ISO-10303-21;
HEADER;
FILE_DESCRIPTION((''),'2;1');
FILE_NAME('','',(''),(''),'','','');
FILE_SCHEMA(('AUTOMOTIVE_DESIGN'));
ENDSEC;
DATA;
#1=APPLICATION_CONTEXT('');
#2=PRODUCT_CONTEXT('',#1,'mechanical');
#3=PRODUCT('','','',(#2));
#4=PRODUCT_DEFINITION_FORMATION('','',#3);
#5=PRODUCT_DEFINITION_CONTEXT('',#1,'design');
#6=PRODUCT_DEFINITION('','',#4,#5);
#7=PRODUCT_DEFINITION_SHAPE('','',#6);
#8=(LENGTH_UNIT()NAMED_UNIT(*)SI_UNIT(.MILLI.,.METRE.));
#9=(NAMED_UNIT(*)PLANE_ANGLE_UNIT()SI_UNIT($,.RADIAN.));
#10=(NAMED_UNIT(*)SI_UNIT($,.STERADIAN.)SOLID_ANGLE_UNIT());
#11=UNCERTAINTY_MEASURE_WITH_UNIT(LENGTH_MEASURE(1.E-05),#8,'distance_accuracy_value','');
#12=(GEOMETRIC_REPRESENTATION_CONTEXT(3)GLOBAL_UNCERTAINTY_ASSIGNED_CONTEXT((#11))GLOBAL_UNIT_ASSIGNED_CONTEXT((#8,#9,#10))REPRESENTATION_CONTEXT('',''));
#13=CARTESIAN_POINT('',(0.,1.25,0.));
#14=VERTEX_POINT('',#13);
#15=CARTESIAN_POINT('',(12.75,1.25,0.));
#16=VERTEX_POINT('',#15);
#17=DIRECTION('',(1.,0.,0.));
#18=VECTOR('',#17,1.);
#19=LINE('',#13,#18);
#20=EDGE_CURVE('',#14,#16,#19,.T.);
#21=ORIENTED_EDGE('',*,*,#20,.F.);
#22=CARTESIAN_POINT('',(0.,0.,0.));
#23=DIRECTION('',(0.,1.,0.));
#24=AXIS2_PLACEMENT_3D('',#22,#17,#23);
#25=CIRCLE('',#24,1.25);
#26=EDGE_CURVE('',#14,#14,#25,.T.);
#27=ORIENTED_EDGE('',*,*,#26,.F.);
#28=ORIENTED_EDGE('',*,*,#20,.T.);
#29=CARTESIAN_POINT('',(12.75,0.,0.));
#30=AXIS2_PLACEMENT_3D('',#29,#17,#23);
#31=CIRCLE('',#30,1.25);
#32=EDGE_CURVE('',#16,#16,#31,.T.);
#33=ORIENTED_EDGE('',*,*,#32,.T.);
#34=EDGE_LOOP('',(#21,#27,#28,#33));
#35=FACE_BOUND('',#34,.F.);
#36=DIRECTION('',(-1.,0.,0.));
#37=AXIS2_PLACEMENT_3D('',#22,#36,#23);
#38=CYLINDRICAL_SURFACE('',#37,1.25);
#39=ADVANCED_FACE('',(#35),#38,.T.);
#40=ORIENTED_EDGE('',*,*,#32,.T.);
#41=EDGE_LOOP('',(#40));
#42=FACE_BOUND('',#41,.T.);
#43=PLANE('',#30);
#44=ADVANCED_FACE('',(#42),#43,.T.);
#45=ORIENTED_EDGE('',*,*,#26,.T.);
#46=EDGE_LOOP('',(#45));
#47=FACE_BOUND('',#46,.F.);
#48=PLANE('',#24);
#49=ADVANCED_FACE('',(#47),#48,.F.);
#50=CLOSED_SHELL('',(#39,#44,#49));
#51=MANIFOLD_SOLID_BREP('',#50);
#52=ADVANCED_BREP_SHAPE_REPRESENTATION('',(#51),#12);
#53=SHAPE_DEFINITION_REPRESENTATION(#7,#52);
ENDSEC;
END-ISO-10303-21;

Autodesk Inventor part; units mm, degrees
ref_plane "YZ Plane" through (0, 0, 0) normal (1, 0, 0) x (0, 1, 0)
ref_plane "XZ Plane" through (0, 0, 0) normal (0, 1, 0) x (-1, 0, 0)
ref_plane "XY Plane" through (0, 0, 0) normal (0, 0, 1) x (1, 0, 0)
sketch "Szkic1" plane through (0, 0, 0) normal (1, 0, 0) x (0, 1, 0)
  circle A0 centre (0, 0) radius 1.25
  dimension "d0" = 2.5
extrude "Wyciągnięcie proste1" add sketch "Szkic1" along normal blind 12.75
properties part number "Oś" material "Aluminium 6061"
